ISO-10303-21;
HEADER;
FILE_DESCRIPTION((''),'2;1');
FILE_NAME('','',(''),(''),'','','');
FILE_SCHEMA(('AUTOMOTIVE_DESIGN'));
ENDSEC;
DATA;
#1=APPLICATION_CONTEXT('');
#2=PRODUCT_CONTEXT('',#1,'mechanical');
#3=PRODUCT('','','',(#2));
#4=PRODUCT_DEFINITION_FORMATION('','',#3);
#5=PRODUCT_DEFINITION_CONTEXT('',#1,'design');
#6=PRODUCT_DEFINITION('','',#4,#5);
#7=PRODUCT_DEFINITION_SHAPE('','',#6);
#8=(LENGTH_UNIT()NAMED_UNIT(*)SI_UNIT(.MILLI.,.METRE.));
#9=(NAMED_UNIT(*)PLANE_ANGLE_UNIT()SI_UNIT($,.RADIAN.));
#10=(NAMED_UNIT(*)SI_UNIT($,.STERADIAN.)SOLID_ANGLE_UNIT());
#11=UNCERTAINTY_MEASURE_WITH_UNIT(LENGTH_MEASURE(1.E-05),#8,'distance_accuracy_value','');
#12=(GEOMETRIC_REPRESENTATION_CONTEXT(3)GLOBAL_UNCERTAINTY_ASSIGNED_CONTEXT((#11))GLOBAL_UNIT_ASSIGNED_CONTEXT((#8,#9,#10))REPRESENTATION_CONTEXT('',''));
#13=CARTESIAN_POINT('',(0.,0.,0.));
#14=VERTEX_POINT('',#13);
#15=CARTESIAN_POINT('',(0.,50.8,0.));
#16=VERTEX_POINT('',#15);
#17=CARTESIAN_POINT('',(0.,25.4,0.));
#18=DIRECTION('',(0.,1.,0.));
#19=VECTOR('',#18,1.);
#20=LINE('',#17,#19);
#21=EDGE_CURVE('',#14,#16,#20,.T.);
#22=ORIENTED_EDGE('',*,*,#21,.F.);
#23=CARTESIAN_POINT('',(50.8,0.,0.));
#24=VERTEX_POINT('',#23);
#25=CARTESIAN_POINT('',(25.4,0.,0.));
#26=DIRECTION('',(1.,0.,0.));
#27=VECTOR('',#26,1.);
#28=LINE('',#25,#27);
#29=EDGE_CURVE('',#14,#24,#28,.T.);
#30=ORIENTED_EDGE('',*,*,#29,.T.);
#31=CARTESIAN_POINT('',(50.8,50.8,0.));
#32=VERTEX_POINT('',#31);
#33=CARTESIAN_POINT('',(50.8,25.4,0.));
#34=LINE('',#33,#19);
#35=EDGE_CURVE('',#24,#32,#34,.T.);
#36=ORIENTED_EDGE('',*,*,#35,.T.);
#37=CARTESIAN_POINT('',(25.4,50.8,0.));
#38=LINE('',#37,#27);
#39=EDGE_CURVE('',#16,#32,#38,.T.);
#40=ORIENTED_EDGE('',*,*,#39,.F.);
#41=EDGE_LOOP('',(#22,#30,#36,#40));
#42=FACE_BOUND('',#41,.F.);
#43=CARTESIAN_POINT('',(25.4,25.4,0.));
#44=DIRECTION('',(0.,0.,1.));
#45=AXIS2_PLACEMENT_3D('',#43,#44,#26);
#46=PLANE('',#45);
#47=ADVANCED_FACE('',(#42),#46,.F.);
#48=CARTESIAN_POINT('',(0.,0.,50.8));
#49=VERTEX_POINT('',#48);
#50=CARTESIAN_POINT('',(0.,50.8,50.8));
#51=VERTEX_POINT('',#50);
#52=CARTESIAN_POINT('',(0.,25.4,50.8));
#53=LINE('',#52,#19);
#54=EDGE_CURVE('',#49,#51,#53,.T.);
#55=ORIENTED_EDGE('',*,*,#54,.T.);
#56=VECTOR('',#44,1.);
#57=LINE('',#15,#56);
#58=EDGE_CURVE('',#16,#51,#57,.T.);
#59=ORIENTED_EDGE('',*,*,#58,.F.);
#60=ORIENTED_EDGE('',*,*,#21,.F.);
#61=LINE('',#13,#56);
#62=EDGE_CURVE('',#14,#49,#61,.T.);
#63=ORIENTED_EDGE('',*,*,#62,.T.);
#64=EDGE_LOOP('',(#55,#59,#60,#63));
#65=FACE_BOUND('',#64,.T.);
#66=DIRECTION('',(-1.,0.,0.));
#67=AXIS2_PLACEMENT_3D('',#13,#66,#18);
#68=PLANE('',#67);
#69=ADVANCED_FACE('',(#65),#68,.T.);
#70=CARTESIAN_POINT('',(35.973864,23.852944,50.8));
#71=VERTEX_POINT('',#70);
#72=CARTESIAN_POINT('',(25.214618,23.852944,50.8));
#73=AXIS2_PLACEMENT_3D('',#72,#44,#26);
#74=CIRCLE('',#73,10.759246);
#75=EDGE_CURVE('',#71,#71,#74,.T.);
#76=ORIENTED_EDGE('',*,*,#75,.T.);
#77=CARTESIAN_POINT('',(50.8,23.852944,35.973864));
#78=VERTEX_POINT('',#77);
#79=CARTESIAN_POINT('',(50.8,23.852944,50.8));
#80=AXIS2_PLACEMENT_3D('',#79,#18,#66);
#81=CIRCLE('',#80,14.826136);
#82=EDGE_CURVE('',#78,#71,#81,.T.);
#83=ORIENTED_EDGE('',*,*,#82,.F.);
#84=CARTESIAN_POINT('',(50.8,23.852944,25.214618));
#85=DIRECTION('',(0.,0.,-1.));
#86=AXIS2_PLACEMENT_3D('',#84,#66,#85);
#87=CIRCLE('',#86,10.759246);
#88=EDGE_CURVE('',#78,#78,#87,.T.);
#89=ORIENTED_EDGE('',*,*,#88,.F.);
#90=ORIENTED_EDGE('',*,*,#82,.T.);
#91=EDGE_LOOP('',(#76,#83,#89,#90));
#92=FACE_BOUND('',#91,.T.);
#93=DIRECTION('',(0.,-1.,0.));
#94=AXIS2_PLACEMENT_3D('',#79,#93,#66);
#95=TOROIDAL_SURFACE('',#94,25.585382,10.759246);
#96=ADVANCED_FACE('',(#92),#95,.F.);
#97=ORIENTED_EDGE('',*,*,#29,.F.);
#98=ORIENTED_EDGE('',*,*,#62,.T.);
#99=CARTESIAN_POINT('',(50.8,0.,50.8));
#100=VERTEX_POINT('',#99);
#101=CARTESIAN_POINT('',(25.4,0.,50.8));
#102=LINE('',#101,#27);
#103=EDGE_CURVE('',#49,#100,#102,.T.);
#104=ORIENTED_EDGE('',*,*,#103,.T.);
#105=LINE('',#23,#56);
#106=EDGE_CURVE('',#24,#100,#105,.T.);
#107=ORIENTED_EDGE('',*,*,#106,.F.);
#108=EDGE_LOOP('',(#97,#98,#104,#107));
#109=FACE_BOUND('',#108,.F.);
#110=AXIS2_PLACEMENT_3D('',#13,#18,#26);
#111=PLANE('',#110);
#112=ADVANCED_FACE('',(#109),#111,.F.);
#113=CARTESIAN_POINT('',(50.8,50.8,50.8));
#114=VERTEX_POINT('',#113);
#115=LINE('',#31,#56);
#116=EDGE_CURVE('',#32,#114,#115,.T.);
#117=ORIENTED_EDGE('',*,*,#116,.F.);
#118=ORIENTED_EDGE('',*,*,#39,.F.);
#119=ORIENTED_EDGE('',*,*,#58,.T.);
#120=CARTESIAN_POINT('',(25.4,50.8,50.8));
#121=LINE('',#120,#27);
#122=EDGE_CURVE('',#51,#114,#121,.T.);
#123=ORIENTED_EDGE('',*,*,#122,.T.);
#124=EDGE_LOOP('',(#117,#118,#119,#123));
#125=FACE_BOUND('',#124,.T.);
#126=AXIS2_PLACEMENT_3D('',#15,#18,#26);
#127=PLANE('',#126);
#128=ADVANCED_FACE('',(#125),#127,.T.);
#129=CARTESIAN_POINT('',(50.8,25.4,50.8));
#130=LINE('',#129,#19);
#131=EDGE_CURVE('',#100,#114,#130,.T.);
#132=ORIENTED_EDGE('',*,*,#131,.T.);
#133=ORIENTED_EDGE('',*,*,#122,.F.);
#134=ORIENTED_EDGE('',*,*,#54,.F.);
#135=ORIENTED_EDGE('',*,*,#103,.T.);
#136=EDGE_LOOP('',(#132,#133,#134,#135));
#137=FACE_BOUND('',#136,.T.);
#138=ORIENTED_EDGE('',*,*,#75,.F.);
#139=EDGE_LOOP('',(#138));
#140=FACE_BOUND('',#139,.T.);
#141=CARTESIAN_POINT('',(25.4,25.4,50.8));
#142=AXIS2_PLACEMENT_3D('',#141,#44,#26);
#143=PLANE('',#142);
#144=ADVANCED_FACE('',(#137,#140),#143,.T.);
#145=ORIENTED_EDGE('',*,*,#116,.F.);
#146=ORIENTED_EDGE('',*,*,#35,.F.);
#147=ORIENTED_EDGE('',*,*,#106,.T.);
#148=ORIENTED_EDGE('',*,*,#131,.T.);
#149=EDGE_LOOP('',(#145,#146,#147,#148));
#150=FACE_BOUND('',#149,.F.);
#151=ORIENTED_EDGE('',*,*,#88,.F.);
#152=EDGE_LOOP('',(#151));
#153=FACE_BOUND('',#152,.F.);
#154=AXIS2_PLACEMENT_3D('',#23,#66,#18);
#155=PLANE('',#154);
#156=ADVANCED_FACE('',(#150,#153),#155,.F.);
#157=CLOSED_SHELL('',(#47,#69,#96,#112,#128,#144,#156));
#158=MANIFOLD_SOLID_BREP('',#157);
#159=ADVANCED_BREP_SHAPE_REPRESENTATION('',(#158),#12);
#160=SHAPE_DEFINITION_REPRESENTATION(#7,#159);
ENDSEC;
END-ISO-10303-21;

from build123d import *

# Parameters (mm, degrees)
F0_W     = 50.8
F0_H     = 50.8
F1_DEPTH = 50.8
F2_R     = 10.759246


with BuildPart() as f1:
    # F0 (on Top) → F1 (new body)
    with BuildSketch(Plane.XY):
        with Locations((25.4, 25.4)):
            Rectangle(F0_W, F0_H)
    extrude(amount=F1_DEPTH)

    # F2 (on face) → F3 (revolve, cut)
    with BuildSketch(Plane.XY.offset(50.8)):
        with Locations((25.214618, 23.852944)):
            Circle(F2_R)
    revolve(axis=Axis((50.8, 25.4, 50.8), (0, 1, 0)), mode=Mode.SUBTRACT)


solid = f1.part
